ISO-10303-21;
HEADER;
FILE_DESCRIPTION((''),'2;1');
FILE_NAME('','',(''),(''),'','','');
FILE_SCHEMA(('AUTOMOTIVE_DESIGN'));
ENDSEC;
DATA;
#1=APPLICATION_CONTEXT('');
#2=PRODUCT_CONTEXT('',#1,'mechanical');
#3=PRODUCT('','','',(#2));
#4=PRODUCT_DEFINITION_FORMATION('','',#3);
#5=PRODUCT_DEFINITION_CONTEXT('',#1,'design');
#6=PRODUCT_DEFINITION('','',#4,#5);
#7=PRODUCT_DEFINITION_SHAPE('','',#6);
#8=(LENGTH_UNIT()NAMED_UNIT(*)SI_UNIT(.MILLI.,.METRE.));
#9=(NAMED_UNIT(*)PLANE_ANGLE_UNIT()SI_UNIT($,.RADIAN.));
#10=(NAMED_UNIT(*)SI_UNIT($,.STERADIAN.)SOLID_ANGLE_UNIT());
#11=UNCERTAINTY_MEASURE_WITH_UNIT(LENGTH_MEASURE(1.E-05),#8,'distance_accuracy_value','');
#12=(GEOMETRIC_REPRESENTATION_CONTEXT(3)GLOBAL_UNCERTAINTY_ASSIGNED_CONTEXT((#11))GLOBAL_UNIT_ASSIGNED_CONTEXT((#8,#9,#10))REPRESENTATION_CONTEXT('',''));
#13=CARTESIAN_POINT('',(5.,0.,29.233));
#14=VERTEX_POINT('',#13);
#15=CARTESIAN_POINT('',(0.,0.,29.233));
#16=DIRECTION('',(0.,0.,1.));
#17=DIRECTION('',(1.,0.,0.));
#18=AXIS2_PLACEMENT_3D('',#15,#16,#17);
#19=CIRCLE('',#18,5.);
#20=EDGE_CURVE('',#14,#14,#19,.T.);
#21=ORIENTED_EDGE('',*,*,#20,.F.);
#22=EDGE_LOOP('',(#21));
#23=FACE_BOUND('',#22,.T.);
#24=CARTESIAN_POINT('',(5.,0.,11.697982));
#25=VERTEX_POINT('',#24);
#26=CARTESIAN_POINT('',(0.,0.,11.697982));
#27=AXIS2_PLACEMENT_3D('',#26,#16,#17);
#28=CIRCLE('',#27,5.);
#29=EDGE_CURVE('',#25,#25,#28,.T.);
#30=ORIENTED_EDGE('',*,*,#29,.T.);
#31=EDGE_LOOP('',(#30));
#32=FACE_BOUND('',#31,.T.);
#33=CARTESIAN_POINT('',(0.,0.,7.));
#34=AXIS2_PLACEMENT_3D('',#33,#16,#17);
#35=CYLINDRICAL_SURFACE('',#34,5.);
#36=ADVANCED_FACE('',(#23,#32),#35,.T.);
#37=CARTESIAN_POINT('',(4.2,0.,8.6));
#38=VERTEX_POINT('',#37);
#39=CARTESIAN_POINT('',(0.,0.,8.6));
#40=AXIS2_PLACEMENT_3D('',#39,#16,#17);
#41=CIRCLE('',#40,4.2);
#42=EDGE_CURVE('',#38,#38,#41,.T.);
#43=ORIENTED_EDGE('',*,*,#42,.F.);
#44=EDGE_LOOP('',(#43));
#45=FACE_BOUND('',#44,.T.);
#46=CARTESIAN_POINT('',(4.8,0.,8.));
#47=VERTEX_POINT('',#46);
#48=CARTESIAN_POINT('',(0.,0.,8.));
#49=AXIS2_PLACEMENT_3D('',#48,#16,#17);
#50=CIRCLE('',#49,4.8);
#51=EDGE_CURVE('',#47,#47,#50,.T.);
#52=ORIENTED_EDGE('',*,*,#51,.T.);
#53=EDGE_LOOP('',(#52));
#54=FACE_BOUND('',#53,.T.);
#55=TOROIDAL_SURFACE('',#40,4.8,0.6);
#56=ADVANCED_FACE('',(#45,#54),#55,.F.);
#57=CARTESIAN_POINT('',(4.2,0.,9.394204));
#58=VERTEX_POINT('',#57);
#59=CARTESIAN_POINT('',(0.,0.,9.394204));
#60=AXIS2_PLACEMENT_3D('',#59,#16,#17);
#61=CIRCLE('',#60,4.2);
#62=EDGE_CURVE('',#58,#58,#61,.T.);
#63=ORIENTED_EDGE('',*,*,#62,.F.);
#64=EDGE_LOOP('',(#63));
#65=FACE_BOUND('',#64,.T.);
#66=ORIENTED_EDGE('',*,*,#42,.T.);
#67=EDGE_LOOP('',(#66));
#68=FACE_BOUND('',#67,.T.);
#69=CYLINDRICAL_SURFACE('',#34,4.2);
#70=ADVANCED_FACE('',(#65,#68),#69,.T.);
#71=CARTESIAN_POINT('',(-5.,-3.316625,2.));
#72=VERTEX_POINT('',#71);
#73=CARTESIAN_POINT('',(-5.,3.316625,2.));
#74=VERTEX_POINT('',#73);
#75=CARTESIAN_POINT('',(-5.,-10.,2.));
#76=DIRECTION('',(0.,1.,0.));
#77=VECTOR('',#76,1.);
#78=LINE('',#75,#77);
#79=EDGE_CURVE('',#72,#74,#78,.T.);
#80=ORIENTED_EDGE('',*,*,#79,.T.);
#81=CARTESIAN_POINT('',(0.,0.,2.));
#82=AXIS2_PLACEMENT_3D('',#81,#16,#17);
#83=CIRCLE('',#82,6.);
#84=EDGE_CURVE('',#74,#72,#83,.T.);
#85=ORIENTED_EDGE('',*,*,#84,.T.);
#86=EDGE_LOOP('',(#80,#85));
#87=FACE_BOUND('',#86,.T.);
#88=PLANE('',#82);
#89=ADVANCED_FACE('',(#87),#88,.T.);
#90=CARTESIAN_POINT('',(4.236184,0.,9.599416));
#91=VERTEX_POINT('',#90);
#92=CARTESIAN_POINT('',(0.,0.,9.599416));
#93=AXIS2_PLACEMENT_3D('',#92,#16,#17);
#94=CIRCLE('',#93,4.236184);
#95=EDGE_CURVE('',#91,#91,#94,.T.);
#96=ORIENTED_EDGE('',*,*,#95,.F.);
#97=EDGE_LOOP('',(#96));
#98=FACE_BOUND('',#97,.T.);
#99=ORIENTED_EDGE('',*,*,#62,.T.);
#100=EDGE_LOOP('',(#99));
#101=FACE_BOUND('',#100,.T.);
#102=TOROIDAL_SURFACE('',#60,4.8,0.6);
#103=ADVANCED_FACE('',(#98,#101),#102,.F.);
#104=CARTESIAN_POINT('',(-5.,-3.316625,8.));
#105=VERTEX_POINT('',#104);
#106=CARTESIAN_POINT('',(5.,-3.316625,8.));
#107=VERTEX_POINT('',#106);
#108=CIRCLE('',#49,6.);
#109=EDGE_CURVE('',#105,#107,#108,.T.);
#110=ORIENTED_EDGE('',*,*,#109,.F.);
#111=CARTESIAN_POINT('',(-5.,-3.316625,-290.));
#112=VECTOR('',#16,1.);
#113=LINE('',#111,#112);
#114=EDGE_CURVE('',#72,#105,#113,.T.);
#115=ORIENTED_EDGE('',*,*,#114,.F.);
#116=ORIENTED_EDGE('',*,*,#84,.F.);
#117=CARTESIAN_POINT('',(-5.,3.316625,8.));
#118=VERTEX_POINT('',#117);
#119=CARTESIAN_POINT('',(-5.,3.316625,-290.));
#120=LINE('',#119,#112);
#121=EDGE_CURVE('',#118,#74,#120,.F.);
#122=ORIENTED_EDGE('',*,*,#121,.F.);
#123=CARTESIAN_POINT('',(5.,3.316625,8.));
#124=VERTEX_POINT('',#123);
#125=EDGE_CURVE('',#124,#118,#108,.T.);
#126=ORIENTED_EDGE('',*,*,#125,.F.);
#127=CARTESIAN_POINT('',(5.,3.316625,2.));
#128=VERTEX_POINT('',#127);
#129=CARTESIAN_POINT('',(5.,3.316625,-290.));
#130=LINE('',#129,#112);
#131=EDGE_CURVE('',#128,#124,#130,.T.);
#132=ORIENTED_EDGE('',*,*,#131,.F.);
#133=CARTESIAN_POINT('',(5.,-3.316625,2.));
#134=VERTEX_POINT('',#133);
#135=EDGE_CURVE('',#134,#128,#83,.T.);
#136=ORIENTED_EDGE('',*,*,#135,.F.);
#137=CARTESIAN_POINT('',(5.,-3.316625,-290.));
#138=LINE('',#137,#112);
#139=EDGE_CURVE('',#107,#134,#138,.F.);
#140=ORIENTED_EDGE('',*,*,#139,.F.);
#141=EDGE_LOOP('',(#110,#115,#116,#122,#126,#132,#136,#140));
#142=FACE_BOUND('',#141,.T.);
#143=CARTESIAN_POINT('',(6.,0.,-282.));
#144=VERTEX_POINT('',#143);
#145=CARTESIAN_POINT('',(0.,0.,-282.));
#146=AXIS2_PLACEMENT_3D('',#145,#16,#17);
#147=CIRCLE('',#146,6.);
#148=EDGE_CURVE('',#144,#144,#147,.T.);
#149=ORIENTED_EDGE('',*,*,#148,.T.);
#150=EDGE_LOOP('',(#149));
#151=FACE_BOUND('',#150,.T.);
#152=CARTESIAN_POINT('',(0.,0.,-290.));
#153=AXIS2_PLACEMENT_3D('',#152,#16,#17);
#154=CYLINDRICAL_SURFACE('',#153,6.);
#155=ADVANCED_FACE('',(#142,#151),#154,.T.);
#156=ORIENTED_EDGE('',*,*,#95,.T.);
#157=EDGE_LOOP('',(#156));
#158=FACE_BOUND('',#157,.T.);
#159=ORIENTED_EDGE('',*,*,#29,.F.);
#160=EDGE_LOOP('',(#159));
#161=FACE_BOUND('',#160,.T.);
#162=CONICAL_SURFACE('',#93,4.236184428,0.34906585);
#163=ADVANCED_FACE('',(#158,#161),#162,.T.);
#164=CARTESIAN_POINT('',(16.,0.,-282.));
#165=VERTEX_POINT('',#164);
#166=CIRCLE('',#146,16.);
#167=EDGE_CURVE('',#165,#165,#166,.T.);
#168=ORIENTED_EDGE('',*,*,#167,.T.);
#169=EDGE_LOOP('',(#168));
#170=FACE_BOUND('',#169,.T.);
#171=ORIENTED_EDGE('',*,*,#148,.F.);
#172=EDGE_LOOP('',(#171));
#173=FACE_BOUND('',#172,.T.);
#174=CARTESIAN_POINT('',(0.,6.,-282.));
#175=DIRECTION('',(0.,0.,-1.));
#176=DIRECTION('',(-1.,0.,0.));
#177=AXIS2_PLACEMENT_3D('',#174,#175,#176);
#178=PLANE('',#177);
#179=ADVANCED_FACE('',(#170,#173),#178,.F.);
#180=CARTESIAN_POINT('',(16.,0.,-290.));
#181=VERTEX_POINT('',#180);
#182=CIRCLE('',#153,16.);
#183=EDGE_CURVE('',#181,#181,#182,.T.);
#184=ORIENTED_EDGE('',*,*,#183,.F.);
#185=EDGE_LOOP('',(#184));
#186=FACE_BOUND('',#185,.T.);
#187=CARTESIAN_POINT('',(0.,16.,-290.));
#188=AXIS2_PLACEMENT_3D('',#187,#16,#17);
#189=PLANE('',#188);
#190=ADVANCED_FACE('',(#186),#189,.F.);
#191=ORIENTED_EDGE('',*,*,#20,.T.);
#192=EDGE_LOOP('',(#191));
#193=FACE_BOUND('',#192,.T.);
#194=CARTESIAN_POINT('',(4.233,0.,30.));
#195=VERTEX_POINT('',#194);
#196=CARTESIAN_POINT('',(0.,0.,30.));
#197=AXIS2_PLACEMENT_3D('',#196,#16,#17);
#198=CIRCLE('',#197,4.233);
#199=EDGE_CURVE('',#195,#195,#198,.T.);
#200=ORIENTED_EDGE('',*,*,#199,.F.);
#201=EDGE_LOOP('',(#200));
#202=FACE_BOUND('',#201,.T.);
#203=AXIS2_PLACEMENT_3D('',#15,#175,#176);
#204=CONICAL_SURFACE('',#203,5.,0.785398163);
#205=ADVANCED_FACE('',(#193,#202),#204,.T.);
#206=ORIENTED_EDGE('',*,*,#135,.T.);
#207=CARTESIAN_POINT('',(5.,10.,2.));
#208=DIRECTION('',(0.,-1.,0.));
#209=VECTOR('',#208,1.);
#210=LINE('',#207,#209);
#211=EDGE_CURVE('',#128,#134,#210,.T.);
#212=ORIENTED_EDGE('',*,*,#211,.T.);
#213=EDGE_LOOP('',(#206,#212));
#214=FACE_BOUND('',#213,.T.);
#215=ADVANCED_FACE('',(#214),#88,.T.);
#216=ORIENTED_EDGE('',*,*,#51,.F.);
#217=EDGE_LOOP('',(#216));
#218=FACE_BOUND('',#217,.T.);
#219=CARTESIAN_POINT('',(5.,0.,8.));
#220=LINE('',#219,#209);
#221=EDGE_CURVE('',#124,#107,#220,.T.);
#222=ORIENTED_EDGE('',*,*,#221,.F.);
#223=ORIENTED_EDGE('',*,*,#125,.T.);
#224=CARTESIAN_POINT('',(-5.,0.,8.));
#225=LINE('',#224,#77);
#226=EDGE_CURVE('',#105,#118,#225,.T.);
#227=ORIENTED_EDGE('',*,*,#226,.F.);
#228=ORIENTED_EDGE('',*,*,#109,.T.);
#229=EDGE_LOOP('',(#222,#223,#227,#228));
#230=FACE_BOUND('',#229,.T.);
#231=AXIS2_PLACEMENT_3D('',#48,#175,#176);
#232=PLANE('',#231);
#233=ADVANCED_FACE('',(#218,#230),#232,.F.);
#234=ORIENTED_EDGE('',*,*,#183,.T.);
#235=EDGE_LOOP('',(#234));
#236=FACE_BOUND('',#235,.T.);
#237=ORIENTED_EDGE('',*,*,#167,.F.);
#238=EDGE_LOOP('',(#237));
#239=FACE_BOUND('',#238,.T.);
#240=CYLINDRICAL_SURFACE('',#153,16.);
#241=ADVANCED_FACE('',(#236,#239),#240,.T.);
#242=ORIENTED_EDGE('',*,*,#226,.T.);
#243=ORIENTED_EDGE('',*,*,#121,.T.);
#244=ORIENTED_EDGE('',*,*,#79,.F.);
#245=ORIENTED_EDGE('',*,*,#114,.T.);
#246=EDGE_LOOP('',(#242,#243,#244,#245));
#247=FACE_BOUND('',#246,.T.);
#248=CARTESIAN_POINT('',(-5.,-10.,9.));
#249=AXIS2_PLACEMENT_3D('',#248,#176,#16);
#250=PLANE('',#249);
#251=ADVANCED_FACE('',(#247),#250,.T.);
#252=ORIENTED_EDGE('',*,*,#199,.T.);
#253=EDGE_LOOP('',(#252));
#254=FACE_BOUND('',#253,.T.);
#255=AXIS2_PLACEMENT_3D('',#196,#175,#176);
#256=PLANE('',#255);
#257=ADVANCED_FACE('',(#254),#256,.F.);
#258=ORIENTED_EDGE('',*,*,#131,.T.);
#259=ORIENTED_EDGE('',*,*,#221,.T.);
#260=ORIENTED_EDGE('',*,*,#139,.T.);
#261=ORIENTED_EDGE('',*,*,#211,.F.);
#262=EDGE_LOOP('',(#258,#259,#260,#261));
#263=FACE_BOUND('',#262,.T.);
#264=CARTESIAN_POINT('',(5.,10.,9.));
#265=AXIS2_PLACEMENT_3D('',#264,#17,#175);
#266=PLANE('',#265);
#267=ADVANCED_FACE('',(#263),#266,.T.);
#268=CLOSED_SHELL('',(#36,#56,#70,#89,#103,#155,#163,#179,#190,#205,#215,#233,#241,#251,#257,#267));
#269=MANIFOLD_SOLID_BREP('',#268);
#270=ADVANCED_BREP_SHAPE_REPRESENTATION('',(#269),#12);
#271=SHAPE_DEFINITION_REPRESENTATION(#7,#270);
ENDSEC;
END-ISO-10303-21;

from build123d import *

# Parameters (mm, degrees)
CUT_EXTRUDE1_DEPTH = 7


with BuildPart() as part:
    # Sketch1 → Revolve1 (revolve)
    with BuildSketch(Plane(origin=(0, 0, 0), x_dir=(0, 0, -1), z_dir=(1, 0, 0))):
        Polygon((-8, 0), (-8, 6), (282, 6), (282, 16), (290, 16), (290, 0), align=None)
    revolve(axis=Axis((0, 0, -290), (0, 0, 1)))

    # Sketch2 → Revolve2 (revolve)
    with BuildSketch(Plane(origin=(0, 0, 0), x_dir=(0, 0, -1), z_dir=(1, 0, 0))):
        with BuildLine():
            Line((-30, 0), (-30, 4.233))
            Line((-30, 4.233), (-29.233, 5))
            Line((-29.233, 5), (-11.697981936, 5))
            Line((-11.697981936, 5), (-9.599415898, 4.236184428))
            ThreePointArc((-9.599415898, 4.236184428), (-9.498392718, 4.209115348), (-9.394203812, 4.2))
            Line((-9.394203812, 4.2), (-8.6, 4.2))
            ThreePointArc((-8.6, 4.2), (-8.175735931, 4.375735931), (-8, 4.8))
            Line((-8, 4.8), (-8, 5))
            Line((-8, 5), (-7, 5))
            Line((-7, 5), (-7, 0))
            Line((-7, 0), (-30, 0))
        make_face()
    revolve(axis=Axis((0, 0, 7), (0, 0, 1)))

    # Sketch3 → Cut-Extrude1 (cut)
    with BuildSketch(Plane.XY.offset(2)):
        Polygon((-10, 20), (-10, -10), (-5, -10), (-5, 10), (5, 10), (5, -10), (10, -10), (10, 20), align=None)
    extrude(amount=CUT_EXTRUDE1_DEPTH, mode=Mode.SUBTRACT)


solid = part.part
